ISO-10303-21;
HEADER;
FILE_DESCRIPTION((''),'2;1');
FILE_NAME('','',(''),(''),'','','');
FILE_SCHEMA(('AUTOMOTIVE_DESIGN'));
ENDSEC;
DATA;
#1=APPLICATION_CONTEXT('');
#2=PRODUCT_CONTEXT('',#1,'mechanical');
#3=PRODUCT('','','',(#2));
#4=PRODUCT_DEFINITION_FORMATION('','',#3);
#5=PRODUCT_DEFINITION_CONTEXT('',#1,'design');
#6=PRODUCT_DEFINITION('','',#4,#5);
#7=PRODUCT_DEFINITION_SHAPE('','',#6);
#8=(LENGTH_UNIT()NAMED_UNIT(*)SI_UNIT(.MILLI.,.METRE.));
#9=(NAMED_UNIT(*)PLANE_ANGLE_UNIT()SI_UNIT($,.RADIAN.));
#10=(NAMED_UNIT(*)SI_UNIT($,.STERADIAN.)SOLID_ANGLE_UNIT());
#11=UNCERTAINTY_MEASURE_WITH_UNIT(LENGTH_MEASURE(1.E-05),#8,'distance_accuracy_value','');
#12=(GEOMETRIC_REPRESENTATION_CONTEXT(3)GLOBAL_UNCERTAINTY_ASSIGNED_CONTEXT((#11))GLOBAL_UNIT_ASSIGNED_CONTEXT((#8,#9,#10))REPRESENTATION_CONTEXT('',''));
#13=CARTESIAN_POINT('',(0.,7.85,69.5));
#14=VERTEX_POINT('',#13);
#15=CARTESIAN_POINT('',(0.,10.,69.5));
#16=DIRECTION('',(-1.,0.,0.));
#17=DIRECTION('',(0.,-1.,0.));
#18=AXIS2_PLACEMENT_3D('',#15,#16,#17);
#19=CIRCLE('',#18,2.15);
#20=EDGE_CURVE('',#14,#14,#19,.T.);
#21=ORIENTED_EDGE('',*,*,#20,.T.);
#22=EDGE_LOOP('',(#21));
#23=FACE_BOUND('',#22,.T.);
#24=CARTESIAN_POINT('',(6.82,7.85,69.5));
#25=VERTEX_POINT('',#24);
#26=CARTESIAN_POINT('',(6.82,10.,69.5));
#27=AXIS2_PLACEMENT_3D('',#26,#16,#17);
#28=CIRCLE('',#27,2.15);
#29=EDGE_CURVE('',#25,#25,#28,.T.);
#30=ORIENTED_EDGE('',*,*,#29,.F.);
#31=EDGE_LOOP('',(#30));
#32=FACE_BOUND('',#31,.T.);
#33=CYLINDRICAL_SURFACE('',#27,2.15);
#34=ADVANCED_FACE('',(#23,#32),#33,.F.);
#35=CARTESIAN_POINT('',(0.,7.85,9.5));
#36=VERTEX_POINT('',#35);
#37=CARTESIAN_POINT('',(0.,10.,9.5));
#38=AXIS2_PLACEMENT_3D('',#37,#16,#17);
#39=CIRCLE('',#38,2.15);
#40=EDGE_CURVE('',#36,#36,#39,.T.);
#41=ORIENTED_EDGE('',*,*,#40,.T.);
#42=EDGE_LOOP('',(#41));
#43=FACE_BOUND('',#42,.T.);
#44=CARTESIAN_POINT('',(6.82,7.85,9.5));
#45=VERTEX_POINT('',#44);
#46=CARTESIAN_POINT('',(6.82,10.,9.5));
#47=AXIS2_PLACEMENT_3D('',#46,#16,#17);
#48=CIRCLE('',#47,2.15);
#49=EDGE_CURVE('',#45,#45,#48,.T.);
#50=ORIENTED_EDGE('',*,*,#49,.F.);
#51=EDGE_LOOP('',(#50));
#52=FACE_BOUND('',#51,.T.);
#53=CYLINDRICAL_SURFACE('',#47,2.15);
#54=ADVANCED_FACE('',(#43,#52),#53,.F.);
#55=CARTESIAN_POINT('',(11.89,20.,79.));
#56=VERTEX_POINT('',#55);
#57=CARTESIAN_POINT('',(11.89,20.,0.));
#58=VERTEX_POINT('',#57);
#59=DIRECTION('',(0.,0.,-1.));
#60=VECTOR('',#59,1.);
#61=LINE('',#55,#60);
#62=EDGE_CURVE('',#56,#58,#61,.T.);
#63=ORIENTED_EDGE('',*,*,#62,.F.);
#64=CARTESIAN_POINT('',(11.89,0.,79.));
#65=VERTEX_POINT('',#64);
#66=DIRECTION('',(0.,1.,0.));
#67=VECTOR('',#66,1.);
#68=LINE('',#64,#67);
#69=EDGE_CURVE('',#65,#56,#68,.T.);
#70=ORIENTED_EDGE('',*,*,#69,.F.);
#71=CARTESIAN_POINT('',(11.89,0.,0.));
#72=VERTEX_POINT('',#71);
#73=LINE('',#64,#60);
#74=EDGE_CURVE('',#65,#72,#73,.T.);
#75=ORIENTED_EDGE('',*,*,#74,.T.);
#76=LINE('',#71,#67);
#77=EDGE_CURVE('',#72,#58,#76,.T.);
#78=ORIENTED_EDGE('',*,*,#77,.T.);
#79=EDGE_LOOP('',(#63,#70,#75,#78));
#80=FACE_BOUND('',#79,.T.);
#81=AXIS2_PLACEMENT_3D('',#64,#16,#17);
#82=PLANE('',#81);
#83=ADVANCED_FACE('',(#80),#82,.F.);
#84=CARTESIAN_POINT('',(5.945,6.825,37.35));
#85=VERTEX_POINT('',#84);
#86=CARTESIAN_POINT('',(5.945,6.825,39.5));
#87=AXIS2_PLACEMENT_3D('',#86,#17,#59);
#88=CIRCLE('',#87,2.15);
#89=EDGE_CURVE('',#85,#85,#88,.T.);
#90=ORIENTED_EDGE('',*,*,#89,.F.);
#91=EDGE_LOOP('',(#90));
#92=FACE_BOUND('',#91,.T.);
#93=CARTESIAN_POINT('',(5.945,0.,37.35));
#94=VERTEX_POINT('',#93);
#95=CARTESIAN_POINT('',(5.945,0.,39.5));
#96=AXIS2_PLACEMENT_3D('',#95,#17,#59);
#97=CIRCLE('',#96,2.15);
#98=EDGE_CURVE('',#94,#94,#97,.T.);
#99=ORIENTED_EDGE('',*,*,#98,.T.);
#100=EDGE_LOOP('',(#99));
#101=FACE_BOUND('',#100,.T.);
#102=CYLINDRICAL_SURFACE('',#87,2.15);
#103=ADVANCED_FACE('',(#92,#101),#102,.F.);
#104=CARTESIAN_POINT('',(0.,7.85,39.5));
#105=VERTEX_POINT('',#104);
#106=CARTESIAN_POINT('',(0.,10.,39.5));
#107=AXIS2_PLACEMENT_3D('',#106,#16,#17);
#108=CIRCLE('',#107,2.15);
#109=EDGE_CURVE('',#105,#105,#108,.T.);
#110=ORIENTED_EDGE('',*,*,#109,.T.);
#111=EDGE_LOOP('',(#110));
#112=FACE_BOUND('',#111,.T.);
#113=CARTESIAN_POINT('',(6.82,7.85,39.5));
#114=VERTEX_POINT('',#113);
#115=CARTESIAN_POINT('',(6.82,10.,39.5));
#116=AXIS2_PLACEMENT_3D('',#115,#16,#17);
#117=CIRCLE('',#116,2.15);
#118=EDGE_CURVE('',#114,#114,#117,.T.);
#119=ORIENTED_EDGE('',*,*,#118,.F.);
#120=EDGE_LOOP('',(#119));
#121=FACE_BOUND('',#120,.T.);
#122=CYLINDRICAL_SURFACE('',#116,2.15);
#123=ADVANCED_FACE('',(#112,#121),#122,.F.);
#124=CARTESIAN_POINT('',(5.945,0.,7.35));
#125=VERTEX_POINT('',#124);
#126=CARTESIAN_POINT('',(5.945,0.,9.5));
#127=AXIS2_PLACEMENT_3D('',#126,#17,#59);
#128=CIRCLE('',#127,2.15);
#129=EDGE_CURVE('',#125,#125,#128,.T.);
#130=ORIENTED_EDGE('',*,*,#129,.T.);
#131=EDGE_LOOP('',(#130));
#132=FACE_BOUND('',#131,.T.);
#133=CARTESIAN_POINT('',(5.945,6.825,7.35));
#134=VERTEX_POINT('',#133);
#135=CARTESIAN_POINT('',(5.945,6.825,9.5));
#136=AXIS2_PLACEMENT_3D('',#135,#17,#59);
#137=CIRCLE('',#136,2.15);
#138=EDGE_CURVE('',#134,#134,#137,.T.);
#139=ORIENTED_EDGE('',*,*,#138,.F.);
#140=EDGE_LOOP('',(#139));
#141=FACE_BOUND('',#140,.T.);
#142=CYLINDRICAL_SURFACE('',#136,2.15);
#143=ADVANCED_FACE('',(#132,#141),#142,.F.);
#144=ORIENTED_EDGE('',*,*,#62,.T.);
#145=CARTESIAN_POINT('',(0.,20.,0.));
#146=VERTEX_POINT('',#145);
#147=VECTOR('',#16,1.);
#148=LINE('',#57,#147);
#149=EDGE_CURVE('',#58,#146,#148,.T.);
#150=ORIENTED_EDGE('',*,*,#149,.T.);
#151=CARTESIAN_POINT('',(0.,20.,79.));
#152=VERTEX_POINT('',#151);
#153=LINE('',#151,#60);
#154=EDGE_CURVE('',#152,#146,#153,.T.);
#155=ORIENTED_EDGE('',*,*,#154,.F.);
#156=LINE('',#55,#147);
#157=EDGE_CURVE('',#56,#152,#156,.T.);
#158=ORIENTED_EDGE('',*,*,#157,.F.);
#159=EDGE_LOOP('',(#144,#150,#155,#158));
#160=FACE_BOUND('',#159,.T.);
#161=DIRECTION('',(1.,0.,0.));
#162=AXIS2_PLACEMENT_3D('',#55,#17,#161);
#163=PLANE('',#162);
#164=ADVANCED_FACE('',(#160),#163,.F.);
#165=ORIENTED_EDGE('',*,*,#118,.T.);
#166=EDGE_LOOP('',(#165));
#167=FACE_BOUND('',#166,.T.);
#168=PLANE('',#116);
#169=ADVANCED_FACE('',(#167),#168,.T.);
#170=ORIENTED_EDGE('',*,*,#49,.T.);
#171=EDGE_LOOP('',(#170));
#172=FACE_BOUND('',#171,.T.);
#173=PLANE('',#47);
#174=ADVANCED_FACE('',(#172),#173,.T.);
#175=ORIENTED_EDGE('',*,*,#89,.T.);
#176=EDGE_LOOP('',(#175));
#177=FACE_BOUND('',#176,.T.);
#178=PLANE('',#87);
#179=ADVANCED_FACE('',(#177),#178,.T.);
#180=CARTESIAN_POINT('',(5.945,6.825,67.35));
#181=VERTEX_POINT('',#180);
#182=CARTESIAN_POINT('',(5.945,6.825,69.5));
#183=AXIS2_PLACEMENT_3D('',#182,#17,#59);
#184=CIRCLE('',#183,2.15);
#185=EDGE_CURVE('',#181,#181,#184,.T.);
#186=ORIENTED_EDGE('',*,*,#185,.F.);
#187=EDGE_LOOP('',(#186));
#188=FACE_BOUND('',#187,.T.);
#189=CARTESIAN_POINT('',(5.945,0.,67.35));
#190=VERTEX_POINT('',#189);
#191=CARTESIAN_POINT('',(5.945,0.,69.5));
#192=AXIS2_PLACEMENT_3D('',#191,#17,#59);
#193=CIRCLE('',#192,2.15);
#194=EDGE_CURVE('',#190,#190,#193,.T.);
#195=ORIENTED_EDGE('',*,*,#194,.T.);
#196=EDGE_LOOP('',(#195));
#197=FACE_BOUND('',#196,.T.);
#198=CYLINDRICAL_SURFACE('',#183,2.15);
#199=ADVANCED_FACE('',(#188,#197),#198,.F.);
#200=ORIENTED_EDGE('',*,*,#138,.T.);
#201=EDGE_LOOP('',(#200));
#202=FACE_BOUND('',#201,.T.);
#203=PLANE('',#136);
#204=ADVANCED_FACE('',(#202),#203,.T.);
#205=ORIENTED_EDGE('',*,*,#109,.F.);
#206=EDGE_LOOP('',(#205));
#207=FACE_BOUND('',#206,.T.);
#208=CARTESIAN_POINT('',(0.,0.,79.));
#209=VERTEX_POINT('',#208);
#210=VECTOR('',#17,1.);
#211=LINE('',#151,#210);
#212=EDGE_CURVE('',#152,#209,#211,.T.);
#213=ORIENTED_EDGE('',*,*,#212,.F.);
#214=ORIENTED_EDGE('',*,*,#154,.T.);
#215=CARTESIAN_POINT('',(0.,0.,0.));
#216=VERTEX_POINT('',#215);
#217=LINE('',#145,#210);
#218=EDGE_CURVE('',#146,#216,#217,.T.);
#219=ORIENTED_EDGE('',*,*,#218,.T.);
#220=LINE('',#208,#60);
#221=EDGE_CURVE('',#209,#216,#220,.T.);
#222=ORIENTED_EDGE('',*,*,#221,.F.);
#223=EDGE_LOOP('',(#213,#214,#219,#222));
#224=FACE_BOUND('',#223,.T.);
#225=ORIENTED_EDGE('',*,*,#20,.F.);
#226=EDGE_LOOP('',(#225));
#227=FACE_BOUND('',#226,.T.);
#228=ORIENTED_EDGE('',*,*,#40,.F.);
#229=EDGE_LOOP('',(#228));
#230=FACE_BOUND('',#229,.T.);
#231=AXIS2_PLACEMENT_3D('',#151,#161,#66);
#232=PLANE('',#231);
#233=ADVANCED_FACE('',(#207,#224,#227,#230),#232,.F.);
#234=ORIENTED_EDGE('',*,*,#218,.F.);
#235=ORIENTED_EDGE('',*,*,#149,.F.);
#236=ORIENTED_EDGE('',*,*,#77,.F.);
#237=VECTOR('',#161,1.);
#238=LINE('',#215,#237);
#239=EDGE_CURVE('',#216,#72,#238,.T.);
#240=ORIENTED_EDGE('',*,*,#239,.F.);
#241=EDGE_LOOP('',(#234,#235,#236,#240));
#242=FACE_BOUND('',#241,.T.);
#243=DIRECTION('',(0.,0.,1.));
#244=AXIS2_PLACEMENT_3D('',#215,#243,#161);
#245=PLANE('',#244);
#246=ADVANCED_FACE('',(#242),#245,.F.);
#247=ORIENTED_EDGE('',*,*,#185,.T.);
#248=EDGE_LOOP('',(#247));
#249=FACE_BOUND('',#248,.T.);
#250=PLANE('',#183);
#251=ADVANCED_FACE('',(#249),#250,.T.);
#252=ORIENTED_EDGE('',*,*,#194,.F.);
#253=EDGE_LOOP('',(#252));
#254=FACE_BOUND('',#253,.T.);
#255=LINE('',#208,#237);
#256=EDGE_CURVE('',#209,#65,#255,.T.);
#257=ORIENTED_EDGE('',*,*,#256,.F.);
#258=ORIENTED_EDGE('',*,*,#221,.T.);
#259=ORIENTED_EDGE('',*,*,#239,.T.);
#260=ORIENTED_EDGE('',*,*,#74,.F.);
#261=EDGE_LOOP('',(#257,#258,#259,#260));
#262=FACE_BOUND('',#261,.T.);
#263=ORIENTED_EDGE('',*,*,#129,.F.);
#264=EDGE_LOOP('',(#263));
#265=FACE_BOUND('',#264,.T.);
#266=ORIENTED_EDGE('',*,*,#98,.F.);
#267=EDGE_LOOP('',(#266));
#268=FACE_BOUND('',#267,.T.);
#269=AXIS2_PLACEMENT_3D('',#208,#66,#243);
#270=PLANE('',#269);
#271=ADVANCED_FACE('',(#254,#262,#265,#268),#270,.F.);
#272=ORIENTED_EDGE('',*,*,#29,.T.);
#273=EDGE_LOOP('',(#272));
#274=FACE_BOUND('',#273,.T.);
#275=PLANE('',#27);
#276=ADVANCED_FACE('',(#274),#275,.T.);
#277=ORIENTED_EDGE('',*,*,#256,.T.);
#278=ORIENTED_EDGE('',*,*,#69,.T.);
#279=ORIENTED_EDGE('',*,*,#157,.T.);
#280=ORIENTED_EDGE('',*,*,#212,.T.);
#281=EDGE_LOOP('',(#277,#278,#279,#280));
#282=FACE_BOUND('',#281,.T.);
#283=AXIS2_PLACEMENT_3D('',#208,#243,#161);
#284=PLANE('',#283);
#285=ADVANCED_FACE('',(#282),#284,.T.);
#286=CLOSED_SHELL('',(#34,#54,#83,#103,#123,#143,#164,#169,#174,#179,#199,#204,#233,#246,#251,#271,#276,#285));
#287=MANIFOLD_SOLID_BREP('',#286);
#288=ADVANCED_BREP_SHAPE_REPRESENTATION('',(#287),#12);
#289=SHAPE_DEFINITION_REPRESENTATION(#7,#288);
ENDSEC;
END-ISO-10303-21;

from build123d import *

# Parameters (mm, degrees)
SKETCH1_W           = 11.89
SKETCH1_H           = 20
BOSS_EXTRUDE1_DEPTH = 79
SKETCH4_R           = 2.15
CUT_EXTRUDE1_DEPTH  = 6.82
SKETCH5_R           = 2.15
CUT_EXTRUDE2_DEPTH  = 6.825


with BuildPart() as part:
    # Sketch1 → Boss-Extrude1 (new body)
    with BuildSketch(Plane.XY):
        with Locations((5.945, 10)):
            Rectangle(SKETCH1_W, SKETCH1_H)
    extrude(amount=BOSS_EXTRUDE1_DEPTH)

    # Sketch4 → Cut-Extrude1 (cut)
    with BuildSketch(Plane.ZY):
        with Locations((39.5, 10)):
            Circle(SKETCH4_R)
        with Locations((9.5, 10)):
            Circle(SKETCH4_R)
        with Locations((69.5, 10)):
            Circle(SKETCH4_R)
    extrude(amount=-CUT_EXTRUDE1_DEPTH, mode=Mode.SUBTRACT)

    # Sketch5 → Cut-Extrude2 (cut)
    with BuildSketch(Plane.XZ):
        with Locations((5.945, 39.5)):
            Circle(SKETCH5_R)
        with Locations((5.945, 69.5)):
            Circle(SKETCH5_R)
        with Locations((5.945, 9.5)):
            Circle(SKETCH5_R)
    extrude(amount=-CUT_EXTRUDE2_DEPTH, mode=Mode.SUBTRACT)


solid = part.part
